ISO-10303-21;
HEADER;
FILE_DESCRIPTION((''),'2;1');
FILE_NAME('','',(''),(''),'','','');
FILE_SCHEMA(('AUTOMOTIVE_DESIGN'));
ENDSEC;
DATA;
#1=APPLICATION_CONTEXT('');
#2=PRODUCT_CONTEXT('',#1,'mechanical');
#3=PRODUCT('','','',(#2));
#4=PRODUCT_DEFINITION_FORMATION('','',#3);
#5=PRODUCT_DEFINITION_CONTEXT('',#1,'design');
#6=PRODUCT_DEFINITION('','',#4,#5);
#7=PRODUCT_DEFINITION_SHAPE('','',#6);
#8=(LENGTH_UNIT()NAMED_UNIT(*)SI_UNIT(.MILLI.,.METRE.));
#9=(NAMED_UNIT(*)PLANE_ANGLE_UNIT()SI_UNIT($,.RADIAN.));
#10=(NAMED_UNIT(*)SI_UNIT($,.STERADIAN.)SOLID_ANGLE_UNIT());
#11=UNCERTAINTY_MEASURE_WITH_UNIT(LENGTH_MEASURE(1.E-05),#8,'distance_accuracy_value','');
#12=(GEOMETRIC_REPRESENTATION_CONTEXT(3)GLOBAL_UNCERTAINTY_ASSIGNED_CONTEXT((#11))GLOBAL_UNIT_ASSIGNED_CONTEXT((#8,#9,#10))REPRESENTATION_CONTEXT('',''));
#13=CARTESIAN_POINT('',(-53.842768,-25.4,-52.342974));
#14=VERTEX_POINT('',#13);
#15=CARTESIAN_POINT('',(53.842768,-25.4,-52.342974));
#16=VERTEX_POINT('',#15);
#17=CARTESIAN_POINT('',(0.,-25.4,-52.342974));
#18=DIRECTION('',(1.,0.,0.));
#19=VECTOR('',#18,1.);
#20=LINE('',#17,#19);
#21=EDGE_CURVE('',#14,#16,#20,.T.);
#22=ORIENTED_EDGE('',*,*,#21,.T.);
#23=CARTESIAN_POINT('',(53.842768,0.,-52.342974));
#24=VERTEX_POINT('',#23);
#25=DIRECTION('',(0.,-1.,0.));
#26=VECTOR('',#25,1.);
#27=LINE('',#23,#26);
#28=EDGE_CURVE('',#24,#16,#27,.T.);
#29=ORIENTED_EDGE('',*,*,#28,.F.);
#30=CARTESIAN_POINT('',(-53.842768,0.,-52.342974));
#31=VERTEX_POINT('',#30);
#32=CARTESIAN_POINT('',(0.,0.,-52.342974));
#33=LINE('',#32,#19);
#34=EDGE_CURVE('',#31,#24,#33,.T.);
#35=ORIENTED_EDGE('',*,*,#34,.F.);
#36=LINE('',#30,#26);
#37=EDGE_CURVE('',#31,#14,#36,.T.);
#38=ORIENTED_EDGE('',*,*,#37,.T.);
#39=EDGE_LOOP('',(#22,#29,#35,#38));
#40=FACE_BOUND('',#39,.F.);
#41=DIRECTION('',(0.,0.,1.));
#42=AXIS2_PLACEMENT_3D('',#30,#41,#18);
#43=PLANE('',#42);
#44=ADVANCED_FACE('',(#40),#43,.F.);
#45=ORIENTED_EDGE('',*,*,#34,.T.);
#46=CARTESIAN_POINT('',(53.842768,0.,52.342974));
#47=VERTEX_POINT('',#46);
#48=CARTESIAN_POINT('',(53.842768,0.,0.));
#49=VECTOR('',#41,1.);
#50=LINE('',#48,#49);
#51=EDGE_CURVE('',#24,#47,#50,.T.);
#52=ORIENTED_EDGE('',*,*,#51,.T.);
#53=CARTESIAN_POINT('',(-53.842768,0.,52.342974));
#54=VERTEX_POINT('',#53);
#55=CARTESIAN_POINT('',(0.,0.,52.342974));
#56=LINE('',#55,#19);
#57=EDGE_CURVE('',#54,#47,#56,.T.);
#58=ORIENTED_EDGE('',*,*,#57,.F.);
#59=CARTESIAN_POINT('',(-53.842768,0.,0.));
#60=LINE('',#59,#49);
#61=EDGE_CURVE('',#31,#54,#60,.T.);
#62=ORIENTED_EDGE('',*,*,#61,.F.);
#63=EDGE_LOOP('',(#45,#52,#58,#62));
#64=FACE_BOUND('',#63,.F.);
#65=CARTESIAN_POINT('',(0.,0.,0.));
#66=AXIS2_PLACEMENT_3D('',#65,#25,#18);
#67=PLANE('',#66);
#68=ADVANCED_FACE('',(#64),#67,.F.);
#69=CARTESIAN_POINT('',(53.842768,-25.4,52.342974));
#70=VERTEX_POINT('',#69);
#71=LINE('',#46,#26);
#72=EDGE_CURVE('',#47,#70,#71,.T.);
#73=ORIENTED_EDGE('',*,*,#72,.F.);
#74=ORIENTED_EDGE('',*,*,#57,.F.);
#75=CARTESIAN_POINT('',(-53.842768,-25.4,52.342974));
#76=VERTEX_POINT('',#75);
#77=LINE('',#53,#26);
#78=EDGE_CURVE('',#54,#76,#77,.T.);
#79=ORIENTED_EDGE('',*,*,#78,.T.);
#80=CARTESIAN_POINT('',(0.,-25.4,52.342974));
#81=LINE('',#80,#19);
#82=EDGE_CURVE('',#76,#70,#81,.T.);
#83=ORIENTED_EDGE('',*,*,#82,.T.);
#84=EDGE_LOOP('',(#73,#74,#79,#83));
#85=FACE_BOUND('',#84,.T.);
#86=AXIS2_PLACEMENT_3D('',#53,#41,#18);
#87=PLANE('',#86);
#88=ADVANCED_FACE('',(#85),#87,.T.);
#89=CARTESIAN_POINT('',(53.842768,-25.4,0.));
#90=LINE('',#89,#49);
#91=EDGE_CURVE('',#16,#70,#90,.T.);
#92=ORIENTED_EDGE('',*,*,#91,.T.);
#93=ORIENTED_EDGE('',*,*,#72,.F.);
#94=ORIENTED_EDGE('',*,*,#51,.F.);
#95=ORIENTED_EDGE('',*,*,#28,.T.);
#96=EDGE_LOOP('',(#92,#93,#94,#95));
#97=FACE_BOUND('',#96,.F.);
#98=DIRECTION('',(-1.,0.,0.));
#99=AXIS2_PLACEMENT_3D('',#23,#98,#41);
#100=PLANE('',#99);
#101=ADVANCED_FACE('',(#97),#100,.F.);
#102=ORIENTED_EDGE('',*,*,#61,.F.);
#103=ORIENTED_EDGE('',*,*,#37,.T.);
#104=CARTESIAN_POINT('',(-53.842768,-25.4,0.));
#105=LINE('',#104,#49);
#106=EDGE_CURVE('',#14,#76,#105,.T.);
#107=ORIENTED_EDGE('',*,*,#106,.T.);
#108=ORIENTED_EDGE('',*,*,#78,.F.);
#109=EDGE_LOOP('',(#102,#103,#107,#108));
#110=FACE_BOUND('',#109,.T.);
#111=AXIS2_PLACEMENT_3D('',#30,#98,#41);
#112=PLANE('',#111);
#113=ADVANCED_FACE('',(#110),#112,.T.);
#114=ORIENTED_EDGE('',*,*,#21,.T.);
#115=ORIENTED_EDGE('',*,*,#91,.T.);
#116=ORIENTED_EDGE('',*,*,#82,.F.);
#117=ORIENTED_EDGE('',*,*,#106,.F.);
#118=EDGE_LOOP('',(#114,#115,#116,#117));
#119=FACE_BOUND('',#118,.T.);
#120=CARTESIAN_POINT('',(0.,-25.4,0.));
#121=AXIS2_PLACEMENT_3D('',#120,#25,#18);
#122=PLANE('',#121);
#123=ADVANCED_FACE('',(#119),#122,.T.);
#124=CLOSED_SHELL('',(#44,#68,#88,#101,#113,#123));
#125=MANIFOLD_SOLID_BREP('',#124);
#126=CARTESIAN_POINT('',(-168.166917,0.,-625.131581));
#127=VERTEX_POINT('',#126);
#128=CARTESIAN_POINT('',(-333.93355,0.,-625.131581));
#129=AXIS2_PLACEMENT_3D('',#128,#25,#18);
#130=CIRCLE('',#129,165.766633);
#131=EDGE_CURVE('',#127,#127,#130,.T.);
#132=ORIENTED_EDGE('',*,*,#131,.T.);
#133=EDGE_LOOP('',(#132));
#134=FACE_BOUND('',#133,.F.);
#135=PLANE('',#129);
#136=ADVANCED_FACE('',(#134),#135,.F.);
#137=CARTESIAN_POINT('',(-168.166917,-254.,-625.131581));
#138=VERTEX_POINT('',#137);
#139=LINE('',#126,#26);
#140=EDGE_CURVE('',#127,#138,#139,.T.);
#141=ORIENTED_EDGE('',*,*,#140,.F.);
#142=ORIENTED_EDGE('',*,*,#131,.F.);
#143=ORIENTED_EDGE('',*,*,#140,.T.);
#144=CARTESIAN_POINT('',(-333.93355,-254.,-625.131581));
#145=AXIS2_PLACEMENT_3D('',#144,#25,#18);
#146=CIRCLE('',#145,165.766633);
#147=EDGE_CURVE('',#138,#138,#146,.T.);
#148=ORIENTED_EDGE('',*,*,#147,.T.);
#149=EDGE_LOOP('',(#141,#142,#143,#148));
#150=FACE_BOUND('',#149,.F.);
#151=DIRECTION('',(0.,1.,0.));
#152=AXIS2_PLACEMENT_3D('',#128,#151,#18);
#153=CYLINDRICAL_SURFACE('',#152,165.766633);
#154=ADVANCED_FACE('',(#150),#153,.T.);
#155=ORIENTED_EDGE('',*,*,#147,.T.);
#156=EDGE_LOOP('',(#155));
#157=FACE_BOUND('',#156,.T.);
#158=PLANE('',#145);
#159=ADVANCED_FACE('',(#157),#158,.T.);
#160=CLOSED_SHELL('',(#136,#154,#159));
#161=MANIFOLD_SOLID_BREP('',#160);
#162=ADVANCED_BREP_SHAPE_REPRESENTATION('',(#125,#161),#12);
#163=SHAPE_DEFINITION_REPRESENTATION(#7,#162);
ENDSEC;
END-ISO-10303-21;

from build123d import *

# Parameters (mm, degrees)
F1_W     = 107.685536
F1_H     = 104.685948
F2_DEPTH = 25.4
F3_R     = 165.766633
F4_DEPTH = 254


with BuildPart() as f2:
    # F1 (on face) → F2 (new body)
    with BuildSketch(Plane.XZ):
        Rectangle(F1_W, F1_H)
    extrude(amount=F2_DEPTH)


with BuildPart() as f4:
    # F3 (on face) → F4 (new body)
    with BuildSketch(Plane.XZ):
        with Locations((-333.93355, -625.131581)):
            Circle(F3_R)
    extrude(amount=F4_DEPTH)


solid = Compound([f2.part, f4.part])
